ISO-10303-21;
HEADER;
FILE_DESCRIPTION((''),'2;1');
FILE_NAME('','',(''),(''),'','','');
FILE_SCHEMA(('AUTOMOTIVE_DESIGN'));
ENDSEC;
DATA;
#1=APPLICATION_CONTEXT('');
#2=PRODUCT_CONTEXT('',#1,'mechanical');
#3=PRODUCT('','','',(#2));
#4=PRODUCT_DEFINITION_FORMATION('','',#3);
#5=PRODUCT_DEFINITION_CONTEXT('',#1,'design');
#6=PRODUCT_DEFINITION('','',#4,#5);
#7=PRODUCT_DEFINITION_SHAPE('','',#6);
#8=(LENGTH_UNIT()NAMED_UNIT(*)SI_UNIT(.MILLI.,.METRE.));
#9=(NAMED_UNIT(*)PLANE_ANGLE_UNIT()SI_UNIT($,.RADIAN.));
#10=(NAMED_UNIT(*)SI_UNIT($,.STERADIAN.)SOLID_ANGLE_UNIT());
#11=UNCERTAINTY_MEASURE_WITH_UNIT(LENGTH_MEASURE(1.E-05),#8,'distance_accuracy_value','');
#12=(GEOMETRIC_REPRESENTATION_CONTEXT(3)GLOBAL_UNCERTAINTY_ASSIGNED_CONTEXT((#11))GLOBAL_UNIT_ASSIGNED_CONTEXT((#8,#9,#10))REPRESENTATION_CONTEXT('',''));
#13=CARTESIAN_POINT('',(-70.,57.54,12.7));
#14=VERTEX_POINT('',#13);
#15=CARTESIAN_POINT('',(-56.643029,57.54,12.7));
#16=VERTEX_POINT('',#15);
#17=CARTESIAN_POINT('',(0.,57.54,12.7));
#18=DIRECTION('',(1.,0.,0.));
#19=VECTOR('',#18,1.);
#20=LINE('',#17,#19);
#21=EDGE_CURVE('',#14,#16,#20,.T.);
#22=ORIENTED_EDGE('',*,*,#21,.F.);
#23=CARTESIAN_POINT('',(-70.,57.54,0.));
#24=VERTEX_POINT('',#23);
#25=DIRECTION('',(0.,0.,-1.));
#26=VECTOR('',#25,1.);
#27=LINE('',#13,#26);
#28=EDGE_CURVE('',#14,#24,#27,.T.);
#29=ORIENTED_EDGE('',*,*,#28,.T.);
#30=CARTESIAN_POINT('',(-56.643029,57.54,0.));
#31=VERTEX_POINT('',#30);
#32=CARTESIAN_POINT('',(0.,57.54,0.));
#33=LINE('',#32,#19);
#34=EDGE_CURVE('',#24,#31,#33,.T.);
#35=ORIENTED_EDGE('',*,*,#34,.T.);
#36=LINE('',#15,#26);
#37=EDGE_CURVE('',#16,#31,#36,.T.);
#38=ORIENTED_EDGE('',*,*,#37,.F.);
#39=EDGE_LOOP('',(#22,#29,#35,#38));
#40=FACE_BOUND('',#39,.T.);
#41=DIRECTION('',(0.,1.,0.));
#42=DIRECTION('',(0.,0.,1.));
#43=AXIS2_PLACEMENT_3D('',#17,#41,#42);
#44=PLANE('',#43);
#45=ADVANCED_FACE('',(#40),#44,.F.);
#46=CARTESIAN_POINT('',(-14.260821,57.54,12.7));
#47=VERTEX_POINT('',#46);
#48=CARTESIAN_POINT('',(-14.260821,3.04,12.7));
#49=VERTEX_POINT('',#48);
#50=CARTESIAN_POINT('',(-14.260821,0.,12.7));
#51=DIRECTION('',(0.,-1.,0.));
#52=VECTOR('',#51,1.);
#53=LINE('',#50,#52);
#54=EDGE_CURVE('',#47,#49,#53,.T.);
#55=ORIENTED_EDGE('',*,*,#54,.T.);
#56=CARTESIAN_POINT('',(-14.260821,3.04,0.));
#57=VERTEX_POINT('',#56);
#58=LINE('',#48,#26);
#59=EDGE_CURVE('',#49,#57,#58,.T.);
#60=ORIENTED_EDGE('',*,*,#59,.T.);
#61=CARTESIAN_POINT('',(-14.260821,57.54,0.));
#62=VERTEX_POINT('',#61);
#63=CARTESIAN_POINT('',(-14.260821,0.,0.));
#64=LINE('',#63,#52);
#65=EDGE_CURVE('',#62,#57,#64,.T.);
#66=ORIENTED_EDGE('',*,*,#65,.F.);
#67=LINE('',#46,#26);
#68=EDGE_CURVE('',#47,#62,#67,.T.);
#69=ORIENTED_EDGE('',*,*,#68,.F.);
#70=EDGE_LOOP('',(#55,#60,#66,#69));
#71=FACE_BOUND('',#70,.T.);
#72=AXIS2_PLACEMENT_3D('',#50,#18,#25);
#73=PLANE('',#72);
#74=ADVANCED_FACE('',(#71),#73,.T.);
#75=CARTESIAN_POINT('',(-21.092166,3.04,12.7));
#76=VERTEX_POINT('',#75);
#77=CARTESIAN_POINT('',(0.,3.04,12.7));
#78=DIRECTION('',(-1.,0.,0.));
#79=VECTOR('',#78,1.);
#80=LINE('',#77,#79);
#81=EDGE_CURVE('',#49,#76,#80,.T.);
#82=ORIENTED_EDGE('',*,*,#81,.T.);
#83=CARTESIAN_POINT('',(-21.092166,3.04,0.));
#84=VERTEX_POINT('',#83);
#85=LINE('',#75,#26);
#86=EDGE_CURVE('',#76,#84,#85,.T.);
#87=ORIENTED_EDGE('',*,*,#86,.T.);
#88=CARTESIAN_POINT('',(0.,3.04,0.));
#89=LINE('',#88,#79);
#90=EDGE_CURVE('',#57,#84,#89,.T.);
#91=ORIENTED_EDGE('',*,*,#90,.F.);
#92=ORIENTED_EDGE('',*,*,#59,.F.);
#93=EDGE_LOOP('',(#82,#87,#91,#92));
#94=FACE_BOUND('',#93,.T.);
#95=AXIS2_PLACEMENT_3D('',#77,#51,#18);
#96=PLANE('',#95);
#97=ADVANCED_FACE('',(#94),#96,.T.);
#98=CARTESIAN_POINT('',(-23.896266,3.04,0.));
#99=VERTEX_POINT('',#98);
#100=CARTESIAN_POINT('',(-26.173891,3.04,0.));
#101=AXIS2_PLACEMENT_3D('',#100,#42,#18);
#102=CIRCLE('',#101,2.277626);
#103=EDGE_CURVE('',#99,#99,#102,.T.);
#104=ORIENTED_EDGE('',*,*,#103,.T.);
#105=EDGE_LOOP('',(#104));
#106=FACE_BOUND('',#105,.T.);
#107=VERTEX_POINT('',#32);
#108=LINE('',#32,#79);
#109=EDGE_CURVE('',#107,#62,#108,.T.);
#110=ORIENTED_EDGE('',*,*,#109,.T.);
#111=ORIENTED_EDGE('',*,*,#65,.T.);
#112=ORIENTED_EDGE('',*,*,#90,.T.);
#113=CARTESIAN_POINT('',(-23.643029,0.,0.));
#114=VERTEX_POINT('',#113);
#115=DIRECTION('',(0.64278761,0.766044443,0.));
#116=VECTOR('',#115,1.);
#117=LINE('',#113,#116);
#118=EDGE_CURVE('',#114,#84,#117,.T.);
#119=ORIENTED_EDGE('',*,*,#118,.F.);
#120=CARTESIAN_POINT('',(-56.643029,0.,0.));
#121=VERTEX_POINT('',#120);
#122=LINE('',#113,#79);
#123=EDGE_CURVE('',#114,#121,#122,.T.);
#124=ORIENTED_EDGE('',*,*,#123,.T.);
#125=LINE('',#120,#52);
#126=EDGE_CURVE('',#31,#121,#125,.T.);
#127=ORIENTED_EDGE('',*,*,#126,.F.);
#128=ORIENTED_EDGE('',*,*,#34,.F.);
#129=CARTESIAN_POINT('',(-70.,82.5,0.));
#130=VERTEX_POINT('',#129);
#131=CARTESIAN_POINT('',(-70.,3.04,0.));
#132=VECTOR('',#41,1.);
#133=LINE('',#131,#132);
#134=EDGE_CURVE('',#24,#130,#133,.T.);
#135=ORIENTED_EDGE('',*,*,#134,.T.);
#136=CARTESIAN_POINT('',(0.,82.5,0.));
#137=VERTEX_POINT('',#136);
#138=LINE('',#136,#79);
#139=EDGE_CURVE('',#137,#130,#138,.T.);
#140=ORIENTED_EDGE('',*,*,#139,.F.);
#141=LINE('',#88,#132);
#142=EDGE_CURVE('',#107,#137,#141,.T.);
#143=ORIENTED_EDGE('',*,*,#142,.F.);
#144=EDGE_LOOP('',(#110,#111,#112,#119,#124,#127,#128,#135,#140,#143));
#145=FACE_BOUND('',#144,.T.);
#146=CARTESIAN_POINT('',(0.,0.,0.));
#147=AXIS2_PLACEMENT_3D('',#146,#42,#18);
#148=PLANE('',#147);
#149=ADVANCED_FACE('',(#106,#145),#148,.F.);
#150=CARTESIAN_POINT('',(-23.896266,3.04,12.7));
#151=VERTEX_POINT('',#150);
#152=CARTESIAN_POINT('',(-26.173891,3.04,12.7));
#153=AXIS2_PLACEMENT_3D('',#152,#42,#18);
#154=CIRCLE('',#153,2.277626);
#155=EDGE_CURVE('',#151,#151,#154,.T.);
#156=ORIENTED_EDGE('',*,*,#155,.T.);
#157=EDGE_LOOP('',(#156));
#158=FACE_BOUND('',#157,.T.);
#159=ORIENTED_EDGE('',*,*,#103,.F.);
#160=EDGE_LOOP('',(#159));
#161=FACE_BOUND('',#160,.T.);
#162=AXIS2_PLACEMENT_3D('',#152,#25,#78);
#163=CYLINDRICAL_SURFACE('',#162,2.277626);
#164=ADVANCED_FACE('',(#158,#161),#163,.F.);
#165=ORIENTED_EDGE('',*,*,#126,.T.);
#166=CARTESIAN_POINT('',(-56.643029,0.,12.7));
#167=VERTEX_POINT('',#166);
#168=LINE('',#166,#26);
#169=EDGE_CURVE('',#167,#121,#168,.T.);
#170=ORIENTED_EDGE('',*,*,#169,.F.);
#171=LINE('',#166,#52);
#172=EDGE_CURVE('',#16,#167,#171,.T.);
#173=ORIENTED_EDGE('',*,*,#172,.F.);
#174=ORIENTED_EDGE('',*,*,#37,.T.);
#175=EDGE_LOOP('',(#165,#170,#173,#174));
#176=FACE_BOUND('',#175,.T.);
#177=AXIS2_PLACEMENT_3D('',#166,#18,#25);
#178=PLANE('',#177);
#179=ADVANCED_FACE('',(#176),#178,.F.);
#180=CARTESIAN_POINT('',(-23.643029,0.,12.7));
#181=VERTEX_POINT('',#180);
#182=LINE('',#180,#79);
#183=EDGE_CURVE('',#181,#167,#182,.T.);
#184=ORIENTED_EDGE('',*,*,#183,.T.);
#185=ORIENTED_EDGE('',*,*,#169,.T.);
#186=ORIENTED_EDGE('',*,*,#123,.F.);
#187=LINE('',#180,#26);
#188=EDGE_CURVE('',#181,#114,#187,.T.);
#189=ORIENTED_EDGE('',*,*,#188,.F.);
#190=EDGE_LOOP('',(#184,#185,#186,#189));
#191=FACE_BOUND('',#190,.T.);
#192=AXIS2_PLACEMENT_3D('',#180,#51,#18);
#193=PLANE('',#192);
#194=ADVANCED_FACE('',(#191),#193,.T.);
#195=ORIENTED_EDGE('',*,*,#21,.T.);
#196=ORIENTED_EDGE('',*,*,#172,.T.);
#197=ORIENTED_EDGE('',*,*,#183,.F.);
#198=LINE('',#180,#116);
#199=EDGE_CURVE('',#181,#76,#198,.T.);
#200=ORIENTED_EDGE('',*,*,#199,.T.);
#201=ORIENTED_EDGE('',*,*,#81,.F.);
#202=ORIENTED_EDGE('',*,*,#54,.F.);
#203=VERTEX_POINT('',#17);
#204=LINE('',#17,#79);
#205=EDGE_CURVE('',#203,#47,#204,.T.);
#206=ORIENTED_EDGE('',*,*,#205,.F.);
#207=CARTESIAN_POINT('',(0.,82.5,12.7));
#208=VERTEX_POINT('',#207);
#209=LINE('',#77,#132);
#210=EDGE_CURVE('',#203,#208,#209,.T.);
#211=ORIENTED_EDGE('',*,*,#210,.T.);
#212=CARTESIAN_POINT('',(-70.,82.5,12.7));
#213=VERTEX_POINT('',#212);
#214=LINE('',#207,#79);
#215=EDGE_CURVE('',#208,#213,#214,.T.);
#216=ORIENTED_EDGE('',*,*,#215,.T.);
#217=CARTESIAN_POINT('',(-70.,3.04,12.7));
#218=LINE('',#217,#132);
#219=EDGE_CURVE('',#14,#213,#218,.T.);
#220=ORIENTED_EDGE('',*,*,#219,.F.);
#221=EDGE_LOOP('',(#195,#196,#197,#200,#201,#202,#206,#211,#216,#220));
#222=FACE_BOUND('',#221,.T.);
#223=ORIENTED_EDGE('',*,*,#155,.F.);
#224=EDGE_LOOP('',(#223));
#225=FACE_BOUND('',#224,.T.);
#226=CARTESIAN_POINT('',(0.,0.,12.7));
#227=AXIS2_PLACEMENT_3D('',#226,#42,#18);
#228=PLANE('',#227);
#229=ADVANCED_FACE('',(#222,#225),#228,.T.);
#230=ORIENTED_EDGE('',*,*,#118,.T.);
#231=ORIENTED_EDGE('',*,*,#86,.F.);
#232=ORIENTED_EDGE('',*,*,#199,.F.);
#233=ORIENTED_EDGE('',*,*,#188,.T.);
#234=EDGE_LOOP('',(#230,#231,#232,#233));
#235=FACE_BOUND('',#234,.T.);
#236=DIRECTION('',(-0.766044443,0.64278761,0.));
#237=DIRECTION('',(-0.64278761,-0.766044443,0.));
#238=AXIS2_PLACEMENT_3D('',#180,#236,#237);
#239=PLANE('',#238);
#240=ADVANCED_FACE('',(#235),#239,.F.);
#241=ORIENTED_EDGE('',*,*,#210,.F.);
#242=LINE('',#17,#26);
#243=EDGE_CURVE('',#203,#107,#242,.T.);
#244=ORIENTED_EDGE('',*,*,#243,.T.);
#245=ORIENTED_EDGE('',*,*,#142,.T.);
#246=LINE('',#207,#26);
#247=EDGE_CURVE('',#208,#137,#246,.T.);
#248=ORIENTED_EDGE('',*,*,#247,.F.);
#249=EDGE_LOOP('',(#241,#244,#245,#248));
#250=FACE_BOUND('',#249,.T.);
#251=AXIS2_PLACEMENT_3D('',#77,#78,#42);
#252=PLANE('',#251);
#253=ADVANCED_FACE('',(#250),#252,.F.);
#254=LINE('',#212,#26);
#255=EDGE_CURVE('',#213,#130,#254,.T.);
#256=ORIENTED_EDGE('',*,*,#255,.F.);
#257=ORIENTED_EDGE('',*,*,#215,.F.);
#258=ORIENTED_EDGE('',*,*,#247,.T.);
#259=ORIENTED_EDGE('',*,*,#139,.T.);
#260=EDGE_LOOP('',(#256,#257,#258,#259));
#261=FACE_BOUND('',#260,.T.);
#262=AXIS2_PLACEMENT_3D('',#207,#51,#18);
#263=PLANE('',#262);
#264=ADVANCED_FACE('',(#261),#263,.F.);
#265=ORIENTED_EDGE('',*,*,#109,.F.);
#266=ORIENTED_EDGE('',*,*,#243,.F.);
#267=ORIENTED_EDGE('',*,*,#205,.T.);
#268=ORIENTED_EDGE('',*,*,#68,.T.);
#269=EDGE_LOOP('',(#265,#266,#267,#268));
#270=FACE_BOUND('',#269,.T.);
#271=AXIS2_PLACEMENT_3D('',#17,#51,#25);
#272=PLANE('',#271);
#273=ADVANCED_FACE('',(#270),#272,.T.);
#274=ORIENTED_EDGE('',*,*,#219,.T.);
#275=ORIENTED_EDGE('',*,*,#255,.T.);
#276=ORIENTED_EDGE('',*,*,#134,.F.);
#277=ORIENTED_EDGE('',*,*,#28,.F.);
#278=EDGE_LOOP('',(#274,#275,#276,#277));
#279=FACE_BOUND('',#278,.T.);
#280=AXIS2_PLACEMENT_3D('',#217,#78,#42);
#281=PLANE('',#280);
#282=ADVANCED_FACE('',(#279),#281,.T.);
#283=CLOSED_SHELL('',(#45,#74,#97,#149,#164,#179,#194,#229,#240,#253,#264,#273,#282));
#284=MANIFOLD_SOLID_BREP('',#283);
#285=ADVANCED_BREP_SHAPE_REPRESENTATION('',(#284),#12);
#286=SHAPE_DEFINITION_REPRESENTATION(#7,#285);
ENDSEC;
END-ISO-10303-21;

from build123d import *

# Parameters (mm, degrees)
BOSS_EXTRUDE1_DEPTH = 12.7
SKETCH1_9_W         = 14.260820695
SKETCH1_9_H         = 54.5
SKETCH1_9_R         = 2.277625676
CUT_EXTRUDE6_DEPTH  = 12.7


with BuildPart() as part:
    # Sketch1 → Boss-Extrude1 (new body)
    with BuildSketch(Plane.XY):
        Polygon((-70, 3.04), (-59.19389142, 3.04), (-56.643028541, 0), (-23.643028541, 0), (-21.092165662, 3.04), (0, 3.04), (0, 82.5), (-70, 82.5), align=None)
    extrude(amount=BOSS_EXTRUDE1_DEPTH)

    # Sketch1<9> → Cut-Extrude6 (cut)
    with BuildSketch(Plane.XY):
        Polygon((-70, 57.54), (-70, 3.04), (-59.19389142, 3.04), (-56.643028541, 0), (-56.643028541, 57.54), align=None)
        with Locations((-7.130410348, 30.29)):
            Rectangle(SKETCH1_9_W, SKETCH1_9_H)
        with Locations((-26.17389142, 3.04)):
            Circle(SKETCH1_9_R)
    extrude(amount=CUT_EXTRUDE6_DEPTH, mode=Mode.SUBTRACT)


solid = part.part
